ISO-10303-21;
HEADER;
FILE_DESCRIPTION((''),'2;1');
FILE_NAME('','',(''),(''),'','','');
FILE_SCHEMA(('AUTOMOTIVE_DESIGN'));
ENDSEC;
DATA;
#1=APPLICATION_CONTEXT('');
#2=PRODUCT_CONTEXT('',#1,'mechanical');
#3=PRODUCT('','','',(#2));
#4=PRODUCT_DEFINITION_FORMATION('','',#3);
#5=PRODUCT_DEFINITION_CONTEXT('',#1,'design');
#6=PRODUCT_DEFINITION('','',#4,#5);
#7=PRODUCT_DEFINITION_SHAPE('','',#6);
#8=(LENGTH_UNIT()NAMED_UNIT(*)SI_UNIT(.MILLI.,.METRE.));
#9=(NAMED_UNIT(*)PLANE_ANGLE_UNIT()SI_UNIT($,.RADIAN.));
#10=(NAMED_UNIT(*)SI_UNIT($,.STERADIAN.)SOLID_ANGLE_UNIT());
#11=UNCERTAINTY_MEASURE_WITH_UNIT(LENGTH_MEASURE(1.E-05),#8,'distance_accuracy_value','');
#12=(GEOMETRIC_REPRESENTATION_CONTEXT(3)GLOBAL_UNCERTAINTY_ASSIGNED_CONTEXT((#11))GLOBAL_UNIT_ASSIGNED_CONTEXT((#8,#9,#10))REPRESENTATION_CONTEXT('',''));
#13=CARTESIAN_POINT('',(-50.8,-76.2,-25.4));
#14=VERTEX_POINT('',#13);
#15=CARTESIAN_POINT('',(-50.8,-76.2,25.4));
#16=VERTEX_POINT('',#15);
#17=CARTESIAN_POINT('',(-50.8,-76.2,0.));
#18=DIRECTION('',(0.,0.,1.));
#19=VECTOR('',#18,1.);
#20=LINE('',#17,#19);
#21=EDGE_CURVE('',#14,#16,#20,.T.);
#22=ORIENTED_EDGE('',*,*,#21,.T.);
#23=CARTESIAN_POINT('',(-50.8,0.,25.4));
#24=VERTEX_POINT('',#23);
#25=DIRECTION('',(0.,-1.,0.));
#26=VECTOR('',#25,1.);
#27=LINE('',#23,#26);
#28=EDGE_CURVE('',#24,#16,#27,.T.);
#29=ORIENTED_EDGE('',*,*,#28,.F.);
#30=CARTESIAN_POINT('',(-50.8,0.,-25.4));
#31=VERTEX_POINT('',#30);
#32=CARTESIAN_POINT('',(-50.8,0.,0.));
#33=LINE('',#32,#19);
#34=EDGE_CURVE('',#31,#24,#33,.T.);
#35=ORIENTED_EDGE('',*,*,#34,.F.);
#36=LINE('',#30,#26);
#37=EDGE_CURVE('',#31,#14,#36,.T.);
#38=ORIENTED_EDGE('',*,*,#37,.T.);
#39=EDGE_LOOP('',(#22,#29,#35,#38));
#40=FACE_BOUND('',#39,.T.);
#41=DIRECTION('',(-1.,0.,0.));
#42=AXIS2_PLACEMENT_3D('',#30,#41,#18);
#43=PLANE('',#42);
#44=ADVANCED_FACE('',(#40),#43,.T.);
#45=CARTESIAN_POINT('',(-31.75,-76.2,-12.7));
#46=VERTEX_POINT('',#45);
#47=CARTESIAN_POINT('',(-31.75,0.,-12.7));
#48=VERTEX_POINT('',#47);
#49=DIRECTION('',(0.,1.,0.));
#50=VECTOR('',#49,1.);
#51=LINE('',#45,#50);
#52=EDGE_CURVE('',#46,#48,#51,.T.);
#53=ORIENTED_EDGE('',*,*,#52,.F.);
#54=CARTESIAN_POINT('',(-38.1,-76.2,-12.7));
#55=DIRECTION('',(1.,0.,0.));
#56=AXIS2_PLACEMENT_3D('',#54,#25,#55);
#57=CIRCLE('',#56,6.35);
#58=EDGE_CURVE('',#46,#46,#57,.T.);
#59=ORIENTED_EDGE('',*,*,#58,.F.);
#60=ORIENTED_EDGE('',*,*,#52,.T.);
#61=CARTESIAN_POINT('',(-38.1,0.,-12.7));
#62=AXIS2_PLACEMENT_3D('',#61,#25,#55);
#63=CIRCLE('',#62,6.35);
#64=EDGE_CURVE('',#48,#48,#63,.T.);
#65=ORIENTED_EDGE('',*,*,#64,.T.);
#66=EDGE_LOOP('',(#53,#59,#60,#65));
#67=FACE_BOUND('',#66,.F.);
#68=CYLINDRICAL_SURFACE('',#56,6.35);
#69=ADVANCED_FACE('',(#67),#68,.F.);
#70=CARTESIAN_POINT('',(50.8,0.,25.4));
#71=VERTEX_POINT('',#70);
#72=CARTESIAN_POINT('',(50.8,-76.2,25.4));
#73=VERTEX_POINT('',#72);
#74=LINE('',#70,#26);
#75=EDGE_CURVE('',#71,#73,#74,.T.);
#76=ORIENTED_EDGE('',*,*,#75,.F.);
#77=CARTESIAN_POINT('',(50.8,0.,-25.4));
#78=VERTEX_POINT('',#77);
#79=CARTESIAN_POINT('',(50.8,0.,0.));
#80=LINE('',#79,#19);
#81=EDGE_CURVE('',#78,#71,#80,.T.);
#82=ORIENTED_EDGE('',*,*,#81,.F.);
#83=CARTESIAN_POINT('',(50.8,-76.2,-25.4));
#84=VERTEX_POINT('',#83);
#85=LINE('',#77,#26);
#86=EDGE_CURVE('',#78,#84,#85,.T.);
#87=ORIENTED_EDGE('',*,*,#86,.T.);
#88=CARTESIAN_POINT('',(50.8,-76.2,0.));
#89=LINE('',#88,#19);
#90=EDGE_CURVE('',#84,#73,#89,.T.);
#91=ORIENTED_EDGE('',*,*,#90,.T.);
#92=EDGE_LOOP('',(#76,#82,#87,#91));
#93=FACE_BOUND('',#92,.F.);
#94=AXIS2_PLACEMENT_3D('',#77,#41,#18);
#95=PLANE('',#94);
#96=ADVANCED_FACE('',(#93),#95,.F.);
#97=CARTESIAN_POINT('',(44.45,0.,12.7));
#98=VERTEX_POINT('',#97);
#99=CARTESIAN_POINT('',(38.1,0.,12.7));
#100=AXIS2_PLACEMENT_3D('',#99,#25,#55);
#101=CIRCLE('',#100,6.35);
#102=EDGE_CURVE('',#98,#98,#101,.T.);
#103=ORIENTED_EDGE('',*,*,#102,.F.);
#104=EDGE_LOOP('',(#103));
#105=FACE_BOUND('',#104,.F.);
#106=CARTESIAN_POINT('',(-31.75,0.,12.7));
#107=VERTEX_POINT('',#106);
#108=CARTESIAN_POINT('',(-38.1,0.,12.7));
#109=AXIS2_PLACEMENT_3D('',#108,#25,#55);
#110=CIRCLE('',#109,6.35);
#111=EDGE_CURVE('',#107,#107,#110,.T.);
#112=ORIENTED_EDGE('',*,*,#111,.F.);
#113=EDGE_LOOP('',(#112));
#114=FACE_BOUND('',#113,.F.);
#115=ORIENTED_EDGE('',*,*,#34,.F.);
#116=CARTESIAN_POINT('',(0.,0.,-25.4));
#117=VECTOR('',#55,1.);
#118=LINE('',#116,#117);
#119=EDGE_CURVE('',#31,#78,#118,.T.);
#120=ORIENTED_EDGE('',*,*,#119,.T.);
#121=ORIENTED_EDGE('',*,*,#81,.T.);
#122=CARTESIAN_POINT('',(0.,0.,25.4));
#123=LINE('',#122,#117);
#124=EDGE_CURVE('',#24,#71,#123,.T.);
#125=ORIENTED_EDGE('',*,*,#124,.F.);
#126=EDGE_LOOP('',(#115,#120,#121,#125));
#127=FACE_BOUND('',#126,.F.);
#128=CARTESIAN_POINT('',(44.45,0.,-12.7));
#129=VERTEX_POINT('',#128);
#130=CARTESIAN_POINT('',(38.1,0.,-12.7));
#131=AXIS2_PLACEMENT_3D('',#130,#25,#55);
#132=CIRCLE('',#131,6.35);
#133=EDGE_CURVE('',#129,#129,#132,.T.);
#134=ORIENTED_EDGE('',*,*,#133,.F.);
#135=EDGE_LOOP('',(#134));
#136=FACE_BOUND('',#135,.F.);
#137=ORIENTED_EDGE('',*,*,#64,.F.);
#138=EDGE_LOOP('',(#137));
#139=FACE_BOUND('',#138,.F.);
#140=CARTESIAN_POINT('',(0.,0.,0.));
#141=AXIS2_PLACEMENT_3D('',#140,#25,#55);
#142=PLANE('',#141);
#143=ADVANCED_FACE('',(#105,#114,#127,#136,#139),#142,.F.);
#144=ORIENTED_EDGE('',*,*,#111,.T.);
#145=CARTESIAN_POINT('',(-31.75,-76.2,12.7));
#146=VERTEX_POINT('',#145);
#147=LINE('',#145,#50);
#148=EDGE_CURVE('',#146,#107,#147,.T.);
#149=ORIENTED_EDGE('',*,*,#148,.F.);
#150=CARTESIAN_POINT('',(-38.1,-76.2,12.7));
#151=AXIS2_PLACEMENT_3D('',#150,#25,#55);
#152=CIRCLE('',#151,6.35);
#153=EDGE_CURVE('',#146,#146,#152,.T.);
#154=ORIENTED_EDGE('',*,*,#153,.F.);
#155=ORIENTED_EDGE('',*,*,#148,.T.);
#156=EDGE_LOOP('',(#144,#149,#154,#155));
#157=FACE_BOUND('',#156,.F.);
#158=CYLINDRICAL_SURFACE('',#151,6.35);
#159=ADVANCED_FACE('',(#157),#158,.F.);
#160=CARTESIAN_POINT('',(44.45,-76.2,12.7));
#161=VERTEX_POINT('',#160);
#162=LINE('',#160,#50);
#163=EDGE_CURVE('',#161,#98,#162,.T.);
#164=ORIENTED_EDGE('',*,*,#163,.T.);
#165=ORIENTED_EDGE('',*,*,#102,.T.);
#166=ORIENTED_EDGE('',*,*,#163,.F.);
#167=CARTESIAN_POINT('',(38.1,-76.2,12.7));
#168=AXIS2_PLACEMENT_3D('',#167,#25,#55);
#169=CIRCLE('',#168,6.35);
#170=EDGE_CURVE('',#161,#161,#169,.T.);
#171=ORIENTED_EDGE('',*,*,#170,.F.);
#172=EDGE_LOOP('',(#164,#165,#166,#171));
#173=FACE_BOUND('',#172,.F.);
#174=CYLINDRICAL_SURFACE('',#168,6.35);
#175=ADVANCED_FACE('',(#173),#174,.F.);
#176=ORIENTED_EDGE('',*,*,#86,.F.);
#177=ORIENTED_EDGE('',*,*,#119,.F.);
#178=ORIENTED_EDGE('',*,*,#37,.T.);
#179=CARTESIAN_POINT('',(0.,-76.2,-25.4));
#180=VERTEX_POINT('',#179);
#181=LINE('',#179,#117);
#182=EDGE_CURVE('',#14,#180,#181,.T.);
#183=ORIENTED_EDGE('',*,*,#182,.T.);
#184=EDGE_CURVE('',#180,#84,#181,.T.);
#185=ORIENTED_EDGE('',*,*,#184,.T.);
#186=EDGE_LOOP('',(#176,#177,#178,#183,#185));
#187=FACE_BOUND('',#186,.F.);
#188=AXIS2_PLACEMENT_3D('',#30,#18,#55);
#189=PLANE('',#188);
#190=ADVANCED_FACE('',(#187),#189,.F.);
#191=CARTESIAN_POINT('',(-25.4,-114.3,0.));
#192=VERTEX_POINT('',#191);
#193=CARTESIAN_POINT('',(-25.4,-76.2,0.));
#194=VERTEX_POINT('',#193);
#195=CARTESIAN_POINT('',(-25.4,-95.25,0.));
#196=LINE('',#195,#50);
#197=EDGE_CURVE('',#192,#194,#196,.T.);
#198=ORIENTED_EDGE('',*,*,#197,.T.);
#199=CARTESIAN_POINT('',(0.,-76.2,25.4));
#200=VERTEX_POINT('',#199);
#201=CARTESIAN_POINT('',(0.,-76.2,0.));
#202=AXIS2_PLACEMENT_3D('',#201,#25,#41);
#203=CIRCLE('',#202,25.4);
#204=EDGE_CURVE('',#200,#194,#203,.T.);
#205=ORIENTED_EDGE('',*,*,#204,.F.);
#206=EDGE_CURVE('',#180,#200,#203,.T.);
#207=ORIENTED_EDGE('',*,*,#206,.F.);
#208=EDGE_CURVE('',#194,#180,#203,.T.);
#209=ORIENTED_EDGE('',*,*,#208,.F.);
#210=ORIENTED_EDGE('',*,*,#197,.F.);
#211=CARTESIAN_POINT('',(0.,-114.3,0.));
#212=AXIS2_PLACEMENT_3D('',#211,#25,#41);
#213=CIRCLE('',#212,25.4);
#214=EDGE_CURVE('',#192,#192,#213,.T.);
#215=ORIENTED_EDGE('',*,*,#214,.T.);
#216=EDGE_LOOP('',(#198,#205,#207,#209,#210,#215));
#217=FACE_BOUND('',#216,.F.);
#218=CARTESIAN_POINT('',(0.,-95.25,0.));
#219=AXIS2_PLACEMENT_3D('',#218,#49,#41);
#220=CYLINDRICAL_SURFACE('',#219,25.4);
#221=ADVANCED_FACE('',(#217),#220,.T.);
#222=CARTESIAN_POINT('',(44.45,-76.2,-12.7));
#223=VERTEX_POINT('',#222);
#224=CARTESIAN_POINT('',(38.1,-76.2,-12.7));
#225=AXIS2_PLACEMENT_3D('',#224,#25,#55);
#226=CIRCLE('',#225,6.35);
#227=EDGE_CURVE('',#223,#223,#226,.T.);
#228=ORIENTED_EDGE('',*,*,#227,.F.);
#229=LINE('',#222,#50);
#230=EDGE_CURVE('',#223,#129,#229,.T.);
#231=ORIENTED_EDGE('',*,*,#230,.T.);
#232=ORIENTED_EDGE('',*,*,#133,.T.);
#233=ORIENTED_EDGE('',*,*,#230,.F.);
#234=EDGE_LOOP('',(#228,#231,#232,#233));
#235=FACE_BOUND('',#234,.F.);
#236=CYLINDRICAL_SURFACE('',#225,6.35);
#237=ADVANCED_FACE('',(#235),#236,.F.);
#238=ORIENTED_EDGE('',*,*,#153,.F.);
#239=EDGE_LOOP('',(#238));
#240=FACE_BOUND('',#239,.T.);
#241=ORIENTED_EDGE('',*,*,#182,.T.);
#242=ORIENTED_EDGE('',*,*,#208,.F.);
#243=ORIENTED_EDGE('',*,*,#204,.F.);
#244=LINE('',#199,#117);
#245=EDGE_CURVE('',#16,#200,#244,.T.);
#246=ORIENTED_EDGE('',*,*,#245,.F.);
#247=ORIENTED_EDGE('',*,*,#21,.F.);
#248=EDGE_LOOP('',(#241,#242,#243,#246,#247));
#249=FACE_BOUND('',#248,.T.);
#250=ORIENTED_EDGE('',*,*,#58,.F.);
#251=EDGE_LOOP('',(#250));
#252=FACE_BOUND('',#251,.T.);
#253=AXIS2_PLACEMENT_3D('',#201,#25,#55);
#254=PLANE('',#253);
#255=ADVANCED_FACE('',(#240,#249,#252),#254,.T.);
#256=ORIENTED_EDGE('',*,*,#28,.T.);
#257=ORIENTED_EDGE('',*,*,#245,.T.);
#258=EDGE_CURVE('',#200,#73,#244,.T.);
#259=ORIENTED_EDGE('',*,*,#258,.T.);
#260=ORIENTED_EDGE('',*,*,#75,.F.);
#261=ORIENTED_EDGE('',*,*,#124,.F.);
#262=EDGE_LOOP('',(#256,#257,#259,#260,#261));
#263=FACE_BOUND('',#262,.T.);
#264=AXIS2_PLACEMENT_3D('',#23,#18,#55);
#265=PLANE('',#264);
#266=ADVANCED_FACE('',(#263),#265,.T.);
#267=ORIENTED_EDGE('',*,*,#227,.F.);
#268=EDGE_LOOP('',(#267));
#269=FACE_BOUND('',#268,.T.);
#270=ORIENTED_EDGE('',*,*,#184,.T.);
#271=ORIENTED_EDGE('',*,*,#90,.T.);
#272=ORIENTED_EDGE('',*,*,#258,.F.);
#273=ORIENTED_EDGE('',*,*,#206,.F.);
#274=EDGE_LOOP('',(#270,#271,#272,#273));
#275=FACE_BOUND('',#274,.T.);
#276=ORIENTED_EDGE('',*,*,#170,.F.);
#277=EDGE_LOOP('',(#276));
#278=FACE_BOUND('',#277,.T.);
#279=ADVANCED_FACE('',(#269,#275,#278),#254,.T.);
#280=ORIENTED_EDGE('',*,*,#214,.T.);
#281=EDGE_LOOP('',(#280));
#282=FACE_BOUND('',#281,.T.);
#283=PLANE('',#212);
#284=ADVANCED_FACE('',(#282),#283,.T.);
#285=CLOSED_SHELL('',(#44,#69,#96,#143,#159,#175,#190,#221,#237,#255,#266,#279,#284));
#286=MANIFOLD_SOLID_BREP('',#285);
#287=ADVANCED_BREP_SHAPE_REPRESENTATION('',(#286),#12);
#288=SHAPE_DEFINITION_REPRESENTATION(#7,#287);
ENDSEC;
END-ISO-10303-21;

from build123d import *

# Parameters (mm, degrees)
F0_W     = 101.6
F0_H     = 50.8
F1_DEPTH = 76.2
F2_R     = 6.35
F3_DEPTH = 76.201
F4_W     = 25.4
F4_H     = 38.1


with BuildPart() as f1:
    # F0 (on Front) → F1 (new body)
    with BuildSketch(Plane.XZ):
        Rectangle(F0_W, F0_H)
    extrude(amount=F1_DEPTH)

    # F2 (on face) → F3 (cut, through all)
    with BuildSketch(Plane.XZ.offset(76.2)):
        with Locations((-38.1, 12.7)):
            Circle(F2_R)
        with Locations((-38.1, -12.7)):
            Circle(F2_R)
        with Locations((38.1, 12.7)):
            Circle(F2_R)
        with Locations((38.1, -12.7)):
            Circle(F2_R)
    extrude(amount=-F3_DEPTH, mode=Mode.SUBTRACT)

    # F4 (on Top) → F5 (revolve)
    with BuildSketch(Plane.XY):
        with Locations((-12.7, -95.25)):
            Rectangle(F4_W, F4_H)
    revolve(axis=Axis((0, -95.25, 0), (0, -1, 0)))


solid = f1.part
